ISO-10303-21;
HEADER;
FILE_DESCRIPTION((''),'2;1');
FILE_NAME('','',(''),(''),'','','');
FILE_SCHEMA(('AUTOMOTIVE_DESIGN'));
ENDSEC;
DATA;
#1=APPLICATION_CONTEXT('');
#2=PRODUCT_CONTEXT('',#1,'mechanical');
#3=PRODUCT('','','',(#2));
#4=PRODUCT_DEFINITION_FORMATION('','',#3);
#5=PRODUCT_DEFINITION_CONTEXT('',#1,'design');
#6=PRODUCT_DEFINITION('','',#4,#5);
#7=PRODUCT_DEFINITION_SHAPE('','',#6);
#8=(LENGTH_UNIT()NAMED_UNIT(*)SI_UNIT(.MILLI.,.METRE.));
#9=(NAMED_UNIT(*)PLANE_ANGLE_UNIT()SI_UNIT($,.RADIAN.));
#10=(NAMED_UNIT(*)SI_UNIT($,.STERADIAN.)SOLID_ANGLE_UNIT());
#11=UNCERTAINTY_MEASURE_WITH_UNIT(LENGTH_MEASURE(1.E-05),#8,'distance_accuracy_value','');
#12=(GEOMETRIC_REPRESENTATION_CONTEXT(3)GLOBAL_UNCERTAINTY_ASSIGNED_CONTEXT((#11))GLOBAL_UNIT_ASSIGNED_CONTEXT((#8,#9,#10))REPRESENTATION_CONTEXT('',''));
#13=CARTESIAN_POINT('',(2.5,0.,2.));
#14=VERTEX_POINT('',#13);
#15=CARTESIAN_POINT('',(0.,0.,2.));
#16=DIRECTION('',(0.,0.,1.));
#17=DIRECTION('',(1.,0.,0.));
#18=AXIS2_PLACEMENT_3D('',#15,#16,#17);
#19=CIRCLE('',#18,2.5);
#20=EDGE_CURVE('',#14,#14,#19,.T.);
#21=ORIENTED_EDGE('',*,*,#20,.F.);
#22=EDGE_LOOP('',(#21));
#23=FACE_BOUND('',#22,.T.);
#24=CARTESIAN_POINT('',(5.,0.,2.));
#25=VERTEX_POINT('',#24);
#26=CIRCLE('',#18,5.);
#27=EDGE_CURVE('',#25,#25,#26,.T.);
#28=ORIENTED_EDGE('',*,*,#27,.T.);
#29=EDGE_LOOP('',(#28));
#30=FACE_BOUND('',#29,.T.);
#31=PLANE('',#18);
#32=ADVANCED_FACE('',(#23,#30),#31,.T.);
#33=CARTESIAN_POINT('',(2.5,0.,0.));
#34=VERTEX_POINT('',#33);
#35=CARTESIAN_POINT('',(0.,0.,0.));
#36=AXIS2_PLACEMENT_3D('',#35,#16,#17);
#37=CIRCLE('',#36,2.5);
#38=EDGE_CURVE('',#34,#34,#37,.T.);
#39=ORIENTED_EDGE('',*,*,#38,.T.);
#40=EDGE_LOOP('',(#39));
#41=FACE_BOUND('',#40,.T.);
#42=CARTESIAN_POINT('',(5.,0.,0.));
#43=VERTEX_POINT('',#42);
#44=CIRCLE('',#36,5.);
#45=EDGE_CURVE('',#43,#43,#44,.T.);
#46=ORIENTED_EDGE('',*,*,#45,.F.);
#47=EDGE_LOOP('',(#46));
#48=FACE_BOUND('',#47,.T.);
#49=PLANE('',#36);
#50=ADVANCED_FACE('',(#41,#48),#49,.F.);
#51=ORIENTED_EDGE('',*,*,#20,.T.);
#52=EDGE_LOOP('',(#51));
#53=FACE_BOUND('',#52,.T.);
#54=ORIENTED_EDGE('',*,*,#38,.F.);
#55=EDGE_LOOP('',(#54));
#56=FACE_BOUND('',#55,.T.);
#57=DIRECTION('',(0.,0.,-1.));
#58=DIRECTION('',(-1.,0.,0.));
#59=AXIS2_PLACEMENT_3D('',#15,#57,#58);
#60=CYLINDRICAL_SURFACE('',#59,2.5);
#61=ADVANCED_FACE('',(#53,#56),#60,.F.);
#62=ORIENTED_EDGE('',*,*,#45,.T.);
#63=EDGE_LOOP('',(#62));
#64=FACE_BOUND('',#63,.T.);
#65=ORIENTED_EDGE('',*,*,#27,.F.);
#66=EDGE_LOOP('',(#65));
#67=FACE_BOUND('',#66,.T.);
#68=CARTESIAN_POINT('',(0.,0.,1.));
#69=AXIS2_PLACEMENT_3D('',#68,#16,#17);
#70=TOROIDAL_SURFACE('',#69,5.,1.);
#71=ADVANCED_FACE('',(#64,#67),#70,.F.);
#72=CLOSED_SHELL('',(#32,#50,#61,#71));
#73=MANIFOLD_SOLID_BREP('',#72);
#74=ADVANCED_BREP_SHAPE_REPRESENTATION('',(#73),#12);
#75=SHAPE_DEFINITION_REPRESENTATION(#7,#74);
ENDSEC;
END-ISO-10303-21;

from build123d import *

# Parameters (mm, degrees)
SKETCH1_R           = 5
SKETCH1_R_2         = 2.5
BOSS_EXTRUDE1_DEPTH = 2


with BuildPart() as part:
    # Sketch1 → Boss-Extrude1 (new body)
    with BuildSketch(Plane.XY):
        Circle(SKETCH1_R)
        Circle(SKETCH1_R_2, mode=Mode.SUBTRACT)
    extrude(amount=BOSS_EXTRUDE1_DEPTH)

    # Sketch2 → Cut-Revolve1 (revolve, cut)
    with BuildSketch(Plane(origin=(0, 0, 0), x_dir=(0, 0, -1), z_dir=(1, 0, 0)), mode=Mode.PRIVATE) as cut_revolve1_sk:
        with BuildLine():
            Line((-2, 5), (0, 5))
            ThreePointArc((0, 5), (-1, 4), (-2, 5))
        make_face()
    revolve(cut_revolve1_sk.sketch.rotate(Axis((0, 0, 2), (0, 0, -1)), 90), axis=Axis((0, 0, 2), (0, 0, -1)), mode=Mode.SUBTRACT)


solid = part.part
